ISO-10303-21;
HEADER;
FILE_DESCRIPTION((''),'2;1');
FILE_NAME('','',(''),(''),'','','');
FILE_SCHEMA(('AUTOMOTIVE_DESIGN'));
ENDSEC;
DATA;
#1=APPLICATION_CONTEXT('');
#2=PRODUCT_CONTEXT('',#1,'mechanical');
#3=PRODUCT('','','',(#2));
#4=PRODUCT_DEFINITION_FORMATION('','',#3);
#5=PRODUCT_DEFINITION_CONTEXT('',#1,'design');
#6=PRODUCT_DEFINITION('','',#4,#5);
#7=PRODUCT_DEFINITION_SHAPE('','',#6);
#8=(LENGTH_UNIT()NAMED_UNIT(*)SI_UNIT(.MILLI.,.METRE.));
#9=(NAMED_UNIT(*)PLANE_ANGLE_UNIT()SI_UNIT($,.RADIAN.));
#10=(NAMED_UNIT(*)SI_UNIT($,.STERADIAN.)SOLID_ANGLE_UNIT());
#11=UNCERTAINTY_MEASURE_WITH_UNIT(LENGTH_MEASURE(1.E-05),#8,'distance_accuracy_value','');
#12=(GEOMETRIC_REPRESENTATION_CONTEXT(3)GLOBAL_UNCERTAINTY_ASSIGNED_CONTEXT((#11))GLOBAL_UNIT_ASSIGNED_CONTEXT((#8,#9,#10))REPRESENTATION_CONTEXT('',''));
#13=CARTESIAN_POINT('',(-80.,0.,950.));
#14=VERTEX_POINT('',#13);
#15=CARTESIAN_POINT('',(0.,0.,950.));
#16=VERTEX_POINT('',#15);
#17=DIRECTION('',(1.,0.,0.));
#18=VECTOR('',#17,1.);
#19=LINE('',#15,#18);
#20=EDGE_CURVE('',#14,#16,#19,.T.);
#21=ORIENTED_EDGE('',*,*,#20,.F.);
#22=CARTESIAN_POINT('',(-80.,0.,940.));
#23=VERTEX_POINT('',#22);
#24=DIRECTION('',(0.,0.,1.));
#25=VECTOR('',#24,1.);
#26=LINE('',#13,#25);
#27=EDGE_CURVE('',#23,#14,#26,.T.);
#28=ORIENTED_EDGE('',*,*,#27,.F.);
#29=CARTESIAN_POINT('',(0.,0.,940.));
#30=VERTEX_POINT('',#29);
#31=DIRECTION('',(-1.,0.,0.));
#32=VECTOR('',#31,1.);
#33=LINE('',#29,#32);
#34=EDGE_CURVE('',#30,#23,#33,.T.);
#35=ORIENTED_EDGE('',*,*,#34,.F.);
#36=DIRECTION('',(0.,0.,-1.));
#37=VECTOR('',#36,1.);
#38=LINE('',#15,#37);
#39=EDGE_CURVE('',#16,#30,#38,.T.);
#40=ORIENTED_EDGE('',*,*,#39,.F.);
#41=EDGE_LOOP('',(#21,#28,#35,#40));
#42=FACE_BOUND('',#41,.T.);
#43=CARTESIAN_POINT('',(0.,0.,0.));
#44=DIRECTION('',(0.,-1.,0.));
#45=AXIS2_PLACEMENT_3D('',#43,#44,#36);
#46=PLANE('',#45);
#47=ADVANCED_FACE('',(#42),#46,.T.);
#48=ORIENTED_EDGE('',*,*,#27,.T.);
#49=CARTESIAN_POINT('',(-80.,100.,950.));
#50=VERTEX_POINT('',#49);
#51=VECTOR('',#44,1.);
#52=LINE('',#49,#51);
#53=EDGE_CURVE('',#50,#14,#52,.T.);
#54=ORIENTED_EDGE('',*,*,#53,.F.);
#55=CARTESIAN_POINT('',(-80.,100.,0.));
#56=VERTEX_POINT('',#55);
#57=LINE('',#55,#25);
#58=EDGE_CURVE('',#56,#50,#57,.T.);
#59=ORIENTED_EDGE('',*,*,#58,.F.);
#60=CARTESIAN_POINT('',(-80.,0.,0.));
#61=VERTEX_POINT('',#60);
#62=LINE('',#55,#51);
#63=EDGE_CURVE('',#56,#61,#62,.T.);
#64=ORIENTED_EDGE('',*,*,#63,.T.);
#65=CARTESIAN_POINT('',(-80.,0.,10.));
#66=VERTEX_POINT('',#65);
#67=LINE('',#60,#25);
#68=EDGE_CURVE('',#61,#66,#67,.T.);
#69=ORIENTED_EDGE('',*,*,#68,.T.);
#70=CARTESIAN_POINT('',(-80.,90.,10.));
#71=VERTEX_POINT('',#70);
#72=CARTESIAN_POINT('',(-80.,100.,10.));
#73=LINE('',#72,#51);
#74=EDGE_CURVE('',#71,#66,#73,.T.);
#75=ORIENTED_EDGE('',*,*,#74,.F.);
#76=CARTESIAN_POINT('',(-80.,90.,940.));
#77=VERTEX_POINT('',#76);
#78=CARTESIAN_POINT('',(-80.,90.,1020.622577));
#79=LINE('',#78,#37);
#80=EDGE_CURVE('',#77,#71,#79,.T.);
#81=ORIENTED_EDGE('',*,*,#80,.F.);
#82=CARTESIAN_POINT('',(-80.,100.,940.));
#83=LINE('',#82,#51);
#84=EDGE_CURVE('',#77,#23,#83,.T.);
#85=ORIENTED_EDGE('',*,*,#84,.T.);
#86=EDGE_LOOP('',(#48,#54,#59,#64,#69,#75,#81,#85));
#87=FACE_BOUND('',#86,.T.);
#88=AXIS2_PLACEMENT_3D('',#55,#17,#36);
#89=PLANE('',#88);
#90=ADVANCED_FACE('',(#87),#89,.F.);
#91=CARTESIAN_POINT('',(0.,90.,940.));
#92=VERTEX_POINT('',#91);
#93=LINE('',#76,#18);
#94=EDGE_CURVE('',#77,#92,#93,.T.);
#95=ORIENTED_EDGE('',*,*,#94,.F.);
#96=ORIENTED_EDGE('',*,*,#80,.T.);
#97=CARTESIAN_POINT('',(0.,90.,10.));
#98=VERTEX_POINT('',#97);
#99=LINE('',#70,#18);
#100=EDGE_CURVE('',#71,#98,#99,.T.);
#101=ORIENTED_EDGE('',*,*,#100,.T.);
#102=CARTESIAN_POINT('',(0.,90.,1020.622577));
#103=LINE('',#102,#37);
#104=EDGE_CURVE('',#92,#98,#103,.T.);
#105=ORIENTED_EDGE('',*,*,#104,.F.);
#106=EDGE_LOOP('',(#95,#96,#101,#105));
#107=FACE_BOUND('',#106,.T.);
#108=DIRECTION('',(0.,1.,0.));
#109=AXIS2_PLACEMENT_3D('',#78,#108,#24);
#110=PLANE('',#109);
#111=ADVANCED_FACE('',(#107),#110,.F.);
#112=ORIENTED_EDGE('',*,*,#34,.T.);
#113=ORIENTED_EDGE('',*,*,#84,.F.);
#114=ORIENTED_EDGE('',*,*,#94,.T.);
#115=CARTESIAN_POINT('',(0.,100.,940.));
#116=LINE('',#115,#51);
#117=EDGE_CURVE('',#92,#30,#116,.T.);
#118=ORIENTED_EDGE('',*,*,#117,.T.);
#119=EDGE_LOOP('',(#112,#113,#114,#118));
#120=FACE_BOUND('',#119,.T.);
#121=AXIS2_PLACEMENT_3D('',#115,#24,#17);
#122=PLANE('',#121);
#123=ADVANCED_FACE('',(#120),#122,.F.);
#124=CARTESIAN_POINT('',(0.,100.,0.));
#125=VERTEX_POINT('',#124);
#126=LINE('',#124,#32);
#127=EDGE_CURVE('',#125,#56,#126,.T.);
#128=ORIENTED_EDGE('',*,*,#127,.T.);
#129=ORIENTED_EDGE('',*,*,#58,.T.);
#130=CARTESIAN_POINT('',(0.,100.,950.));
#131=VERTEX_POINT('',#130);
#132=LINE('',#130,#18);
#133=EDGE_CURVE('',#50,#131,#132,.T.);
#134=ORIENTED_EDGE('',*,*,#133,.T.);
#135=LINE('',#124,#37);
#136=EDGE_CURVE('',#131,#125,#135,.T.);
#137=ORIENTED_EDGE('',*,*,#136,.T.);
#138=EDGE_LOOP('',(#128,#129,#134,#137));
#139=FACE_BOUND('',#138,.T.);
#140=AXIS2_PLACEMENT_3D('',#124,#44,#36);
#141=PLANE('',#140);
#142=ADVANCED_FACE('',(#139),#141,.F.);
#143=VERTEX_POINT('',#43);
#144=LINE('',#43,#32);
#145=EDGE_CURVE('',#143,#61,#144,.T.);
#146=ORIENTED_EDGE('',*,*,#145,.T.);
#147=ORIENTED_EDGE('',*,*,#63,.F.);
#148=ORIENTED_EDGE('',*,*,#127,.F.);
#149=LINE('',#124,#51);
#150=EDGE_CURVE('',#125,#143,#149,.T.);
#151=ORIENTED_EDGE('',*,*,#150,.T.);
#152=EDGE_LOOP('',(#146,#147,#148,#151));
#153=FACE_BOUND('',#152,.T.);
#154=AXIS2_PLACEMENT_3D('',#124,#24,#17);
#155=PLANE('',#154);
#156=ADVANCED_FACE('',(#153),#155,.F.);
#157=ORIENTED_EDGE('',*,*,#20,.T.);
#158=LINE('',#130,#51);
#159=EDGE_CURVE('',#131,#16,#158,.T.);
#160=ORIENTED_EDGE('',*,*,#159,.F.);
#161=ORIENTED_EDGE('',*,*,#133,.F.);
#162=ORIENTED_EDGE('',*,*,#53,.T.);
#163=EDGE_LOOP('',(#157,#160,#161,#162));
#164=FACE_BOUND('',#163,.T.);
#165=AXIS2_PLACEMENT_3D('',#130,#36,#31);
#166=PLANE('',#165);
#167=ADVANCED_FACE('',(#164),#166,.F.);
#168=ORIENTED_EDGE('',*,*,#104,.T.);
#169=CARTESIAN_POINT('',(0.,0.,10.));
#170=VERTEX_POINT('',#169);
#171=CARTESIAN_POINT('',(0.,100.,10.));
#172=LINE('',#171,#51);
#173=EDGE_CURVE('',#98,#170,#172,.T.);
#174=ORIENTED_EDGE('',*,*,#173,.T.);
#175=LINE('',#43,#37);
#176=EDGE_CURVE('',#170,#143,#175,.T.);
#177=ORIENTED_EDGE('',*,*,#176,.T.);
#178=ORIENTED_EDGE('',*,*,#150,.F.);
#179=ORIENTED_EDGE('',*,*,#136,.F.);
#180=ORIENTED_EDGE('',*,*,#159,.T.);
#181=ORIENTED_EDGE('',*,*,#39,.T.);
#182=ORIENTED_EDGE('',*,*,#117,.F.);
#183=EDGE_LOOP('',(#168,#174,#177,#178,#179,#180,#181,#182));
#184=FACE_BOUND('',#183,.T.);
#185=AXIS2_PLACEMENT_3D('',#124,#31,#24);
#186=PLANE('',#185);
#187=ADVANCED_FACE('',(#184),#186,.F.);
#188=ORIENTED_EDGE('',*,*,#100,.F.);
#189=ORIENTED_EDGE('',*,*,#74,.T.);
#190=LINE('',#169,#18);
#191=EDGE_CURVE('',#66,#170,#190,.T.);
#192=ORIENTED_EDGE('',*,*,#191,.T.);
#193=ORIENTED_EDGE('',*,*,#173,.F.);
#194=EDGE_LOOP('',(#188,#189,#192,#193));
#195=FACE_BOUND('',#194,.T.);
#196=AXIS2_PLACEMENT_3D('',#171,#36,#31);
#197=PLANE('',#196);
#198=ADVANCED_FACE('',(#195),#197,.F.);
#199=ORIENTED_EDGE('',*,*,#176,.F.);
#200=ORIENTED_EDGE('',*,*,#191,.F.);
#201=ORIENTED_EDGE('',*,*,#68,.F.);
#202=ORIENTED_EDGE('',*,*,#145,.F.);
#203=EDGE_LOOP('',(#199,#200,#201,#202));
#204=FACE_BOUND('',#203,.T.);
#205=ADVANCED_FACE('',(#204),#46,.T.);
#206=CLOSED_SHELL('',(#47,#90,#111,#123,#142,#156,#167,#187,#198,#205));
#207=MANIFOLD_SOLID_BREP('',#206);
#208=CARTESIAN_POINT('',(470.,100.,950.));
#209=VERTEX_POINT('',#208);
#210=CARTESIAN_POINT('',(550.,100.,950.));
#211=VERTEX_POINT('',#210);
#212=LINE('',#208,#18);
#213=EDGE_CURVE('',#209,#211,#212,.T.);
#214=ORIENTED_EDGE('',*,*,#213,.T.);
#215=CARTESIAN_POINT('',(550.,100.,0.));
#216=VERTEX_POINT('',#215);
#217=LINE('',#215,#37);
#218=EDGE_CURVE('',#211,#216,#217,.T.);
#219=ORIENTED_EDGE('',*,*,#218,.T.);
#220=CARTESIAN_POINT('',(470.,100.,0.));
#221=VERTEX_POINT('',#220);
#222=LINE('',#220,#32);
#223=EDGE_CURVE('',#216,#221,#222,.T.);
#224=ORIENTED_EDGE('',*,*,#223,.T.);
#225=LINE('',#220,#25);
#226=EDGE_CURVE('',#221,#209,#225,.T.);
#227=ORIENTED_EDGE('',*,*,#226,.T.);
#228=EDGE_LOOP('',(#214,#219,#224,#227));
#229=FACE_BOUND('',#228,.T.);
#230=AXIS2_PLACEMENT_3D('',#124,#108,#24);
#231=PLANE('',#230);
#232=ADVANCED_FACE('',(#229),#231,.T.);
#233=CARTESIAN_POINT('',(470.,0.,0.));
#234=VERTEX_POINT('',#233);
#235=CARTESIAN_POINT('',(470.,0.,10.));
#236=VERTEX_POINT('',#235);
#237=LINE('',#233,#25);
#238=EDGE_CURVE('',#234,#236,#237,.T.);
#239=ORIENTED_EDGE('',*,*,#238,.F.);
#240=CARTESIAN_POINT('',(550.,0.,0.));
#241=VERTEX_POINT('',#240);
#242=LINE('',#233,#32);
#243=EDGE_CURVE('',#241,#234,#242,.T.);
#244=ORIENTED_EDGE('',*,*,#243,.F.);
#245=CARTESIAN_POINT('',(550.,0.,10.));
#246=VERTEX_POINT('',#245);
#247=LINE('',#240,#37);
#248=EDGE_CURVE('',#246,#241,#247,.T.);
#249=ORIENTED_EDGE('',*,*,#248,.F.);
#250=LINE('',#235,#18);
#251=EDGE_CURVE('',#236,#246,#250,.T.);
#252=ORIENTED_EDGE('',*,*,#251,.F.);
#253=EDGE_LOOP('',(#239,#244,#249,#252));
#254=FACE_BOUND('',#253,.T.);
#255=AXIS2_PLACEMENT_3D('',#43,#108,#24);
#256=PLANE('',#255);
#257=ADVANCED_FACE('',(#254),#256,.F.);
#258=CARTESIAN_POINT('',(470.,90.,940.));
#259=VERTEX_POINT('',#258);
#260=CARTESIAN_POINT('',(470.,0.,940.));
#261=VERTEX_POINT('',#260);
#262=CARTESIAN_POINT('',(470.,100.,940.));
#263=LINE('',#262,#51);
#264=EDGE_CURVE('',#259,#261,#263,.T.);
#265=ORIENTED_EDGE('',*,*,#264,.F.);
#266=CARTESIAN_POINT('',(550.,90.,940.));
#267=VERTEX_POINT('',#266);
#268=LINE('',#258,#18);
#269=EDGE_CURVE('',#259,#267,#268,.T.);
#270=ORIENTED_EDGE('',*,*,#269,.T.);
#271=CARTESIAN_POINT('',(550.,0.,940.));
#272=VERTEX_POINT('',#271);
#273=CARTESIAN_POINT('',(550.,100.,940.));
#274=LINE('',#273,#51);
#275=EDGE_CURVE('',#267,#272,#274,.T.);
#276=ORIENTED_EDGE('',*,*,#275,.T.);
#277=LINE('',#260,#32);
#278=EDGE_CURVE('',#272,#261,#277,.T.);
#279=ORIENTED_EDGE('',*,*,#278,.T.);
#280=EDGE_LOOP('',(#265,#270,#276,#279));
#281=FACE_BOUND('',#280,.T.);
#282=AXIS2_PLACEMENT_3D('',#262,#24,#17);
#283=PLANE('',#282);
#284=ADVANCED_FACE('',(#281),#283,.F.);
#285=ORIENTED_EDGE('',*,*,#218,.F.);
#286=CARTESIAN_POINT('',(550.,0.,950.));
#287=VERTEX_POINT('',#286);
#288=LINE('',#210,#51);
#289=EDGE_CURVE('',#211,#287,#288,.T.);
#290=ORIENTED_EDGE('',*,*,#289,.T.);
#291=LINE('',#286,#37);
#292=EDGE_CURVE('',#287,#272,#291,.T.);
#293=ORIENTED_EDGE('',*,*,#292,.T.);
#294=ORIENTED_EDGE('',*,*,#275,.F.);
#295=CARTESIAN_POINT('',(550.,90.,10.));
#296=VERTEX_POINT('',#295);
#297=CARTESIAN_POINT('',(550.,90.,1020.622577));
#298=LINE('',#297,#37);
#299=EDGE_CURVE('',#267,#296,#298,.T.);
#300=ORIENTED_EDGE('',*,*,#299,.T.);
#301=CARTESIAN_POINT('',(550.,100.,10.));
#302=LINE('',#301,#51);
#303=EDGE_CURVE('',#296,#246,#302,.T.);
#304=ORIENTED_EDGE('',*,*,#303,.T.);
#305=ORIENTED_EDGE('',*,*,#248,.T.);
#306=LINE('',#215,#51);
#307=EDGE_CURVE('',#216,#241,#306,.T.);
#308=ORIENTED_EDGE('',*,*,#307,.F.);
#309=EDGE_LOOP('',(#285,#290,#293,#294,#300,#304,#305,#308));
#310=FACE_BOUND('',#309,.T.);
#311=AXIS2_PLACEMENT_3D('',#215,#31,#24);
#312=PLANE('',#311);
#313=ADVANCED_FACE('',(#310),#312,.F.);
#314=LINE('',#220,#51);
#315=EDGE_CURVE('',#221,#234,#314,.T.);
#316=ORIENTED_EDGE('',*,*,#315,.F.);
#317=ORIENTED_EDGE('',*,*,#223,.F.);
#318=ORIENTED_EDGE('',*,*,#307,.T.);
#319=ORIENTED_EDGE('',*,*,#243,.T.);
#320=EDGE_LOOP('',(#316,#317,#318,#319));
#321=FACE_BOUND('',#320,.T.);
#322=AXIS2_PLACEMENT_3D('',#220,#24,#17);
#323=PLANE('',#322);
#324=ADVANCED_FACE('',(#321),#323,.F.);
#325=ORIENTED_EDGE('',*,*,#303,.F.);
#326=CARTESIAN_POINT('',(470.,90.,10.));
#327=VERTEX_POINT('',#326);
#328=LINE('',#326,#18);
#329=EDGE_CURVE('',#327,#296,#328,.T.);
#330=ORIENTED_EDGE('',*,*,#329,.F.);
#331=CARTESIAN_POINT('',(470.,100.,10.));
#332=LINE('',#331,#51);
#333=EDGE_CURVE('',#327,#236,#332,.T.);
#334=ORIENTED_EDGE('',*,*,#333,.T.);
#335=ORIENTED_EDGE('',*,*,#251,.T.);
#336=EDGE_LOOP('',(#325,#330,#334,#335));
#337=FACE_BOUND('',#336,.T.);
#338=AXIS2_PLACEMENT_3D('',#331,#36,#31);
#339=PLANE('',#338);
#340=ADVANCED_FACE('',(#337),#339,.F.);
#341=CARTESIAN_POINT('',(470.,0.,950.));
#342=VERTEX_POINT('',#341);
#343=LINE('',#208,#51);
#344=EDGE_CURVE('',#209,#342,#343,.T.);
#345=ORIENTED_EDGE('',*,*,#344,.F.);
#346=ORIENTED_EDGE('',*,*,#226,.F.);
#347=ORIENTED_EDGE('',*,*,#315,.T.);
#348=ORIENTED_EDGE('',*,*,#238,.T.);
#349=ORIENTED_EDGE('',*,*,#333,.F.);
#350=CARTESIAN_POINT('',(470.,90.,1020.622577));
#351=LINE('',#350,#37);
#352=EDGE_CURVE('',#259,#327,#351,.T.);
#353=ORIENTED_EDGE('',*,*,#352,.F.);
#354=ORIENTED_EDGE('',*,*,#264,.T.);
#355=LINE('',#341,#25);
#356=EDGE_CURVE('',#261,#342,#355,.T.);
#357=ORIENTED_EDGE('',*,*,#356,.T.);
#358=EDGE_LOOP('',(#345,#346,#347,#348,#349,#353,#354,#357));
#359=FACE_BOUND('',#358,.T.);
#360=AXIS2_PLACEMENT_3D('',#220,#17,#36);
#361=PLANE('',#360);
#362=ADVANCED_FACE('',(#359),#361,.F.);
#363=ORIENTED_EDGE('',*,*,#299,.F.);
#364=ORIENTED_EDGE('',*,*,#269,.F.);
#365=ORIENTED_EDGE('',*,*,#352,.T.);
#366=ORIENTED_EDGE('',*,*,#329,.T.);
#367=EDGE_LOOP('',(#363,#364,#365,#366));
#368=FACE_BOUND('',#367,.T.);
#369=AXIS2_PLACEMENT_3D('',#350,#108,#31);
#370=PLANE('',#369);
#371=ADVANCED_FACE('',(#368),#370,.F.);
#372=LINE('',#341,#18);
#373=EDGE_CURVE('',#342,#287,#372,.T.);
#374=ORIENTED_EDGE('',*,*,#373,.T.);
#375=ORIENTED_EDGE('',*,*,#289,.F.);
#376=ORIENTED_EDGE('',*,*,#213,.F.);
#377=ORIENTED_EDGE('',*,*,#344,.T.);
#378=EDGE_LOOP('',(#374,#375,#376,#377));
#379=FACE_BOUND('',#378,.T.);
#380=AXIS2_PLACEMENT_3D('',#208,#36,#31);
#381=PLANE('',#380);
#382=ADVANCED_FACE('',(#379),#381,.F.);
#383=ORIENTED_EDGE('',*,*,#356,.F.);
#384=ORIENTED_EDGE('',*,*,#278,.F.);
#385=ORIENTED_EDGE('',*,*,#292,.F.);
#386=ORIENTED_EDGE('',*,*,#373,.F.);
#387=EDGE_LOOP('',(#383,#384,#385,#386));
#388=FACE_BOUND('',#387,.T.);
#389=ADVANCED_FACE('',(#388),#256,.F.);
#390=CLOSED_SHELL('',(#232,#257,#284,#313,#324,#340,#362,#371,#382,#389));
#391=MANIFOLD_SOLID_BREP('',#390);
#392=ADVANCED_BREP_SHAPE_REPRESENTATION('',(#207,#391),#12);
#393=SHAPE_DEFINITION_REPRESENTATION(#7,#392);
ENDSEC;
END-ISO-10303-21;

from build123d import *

# Parameters (mm, degrees)
CROQUIS1_W                = 80
CROQUIS1_H                = 10
SALIENTE_EXTRUIR1_DEPTH   = 100
SALIENTE_EXTRUIR1_2_DEPTH = 100
SALIENTE_EXTRUIR1_3_DEPTH = 100
SALIENTE_EXTRUIR1_4_DEPTH = 100
CROQUIS2_W                = 80
CROQUIS2_H                = 10
SALIENTE_EXTRUIR2_DEPTH   = 930


with BuildPart() as part:
    # Croquis1 → Saliente-Extruir1 (new body)
    with BuildSketch(Plane(origin=(0, 0, 0), x_dir=(1, 0, 0), z_dir=(0, 1, 0))):
        with Locations((-40, -5)):
            Rectangle(CROQUIS1_W, CROQUIS1_H)
    extrude(amount=SALIENTE_EXTRUIR1_DEPTH)



with BuildPart() as body_2:
    # Croquis1 → Saliente-Extruir1 2 (new body)
    with BuildSketch(Plane(origin=(0, 0, 0), x_dir=(1, 0, 0), z_dir=(0, 1, 0))):
        with Locations((510, -5)):
            Rectangle(CROQUIS1_W, CROQUIS1_H)
    extrude(amount=SALIENTE_EXTRUIR1_2_DEPTH)


with BuildPart() as body_3:
    # Croquis1 → Saliente-Extruir1 3 (new body)
    with BuildSketch(Plane(origin=(0, 0, 0), x_dir=(1, 0, 0), z_dir=(0, 1, 0))):
        with Locations((510, -945)):
            Rectangle(CROQUIS1_W, CROQUIS1_H)
    extrude(amount=SALIENTE_EXTRUIR1_3_DEPTH)


with BuildPart() as body_4:
    # Croquis1 → Saliente-Extruir1 4 (new body)
    with BuildSketch(Plane(origin=(0, 0, 0), x_dir=(1, 0, 0), z_dir=(0, 1, 0))):
        with Locations((-40, -945)):
            Rectangle(CROQUIS1_W, CROQUIS1_H)
    extrude(amount=SALIENTE_EXTRUIR1_4_DEPTH)


with BuildPart() as part_1:
    add(part.part)

    add(body_2.part)  # Saliente-Extruir2 merges body 2

    add(body_3.part)  # Saliente-Extruir2 merges body 3

    add(body_4.part)  # Saliente-Extruir2 merges body 4
    # Croquis2 → Saliente-Extruir2 (add)
    with BuildSketch(Plane.XY.offset(10)):
        with Locations((-40, 95)):
            Rectangle(CROQUIS2_W, CROQUIS2_H)
        with Locations((510, 95)):
            Rectangle(CROQUIS2_W, CROQUIS2_H)
    extrude(amount=SALIENTE_EXTRUIR2_DEPTH)


solid = part_1.part
